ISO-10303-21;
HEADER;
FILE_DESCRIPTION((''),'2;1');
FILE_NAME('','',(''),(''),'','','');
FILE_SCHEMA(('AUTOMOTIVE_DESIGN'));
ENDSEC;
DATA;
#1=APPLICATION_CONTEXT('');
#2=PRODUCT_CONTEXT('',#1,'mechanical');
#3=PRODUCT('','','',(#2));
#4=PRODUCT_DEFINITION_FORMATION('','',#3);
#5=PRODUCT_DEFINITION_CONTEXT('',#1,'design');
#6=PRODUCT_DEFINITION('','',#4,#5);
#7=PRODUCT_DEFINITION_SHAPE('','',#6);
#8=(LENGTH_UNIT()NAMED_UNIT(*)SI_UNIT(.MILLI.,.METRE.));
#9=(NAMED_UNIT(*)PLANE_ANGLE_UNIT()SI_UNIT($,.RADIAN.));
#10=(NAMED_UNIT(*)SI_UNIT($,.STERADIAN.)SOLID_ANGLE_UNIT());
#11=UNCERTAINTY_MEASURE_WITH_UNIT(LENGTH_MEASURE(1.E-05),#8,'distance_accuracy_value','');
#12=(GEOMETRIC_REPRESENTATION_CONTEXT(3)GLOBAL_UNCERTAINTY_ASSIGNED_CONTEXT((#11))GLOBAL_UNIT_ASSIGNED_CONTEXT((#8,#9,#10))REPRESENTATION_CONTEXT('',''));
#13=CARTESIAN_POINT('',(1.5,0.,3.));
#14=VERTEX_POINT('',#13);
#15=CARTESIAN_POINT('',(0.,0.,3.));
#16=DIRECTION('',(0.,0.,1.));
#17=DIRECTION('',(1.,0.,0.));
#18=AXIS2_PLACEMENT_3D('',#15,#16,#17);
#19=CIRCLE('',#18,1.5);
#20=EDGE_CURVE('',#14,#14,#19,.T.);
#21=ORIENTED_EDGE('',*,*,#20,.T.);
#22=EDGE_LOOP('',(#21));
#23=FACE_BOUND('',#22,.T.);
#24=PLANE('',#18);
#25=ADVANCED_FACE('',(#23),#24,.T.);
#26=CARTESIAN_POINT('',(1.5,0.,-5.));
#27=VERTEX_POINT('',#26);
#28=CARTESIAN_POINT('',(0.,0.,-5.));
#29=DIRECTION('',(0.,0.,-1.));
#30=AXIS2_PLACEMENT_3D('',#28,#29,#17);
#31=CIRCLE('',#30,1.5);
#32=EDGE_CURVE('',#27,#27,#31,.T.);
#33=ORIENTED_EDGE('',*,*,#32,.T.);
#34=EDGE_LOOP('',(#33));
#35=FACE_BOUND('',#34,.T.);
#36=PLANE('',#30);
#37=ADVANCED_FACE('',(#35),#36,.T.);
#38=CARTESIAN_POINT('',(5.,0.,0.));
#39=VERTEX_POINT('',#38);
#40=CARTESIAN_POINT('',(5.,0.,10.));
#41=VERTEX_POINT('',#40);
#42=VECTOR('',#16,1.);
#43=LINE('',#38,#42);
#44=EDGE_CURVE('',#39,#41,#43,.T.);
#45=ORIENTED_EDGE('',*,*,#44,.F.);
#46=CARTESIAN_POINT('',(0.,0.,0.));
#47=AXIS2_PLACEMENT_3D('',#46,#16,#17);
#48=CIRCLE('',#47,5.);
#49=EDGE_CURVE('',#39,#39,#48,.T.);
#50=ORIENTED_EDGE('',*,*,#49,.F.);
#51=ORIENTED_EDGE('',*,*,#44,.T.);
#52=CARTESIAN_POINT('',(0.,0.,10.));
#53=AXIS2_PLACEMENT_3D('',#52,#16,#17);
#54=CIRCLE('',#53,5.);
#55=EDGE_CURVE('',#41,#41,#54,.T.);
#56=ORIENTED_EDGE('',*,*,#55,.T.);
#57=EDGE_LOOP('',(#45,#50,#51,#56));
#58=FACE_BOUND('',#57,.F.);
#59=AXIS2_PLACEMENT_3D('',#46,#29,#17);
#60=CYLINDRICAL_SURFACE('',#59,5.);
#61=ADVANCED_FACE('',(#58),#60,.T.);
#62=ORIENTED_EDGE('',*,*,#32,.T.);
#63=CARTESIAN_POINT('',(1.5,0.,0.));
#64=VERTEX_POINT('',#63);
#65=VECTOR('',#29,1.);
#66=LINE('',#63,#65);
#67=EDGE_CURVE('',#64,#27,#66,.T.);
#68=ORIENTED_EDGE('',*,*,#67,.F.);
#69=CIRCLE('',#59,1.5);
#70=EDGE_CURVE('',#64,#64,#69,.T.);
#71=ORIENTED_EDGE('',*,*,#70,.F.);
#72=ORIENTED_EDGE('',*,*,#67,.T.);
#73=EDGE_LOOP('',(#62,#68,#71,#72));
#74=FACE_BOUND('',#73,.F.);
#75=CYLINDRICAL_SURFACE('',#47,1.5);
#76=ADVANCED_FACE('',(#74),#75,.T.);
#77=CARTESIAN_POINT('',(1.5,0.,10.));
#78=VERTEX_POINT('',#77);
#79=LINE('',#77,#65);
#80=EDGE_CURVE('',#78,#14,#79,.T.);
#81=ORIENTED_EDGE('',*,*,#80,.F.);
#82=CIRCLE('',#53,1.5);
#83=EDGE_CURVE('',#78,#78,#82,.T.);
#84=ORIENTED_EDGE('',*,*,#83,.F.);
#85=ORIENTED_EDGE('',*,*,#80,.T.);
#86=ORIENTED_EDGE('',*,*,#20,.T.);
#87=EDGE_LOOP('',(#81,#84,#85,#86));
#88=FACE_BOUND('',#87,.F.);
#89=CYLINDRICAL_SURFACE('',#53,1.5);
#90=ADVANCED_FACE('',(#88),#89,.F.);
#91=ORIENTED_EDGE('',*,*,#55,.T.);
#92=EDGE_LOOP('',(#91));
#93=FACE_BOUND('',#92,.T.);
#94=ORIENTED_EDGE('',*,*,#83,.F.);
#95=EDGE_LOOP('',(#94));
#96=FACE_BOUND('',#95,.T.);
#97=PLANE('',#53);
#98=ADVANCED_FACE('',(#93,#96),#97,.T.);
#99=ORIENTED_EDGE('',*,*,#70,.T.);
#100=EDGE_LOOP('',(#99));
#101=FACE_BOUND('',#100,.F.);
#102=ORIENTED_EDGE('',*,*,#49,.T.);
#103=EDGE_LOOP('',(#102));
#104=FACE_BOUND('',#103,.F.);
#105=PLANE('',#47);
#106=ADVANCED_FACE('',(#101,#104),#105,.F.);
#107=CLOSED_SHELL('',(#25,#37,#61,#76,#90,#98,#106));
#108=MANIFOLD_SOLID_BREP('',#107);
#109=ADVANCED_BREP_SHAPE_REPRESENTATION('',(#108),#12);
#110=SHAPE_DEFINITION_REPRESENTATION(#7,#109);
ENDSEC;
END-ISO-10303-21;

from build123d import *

# Parameters (mm, degrees)
F0_R     = 5
F1_DEPTH = 10
F2_R     = 1.5
F3_DEPTH = 7
F4_R     = 1.5
F5_DEPTH = 5


with BuildPart() as f1:
    # F0 (on Top) → F1 (new body)
    with BuildSketch(Plane.XY):
        Circle(F0_R)
    extrude(amount=F1_DEPTH)

    # F2 (on face) → F3 (cut)
    with BuildSketch(Plane.XY.offset(10)):
        Circle(F2_R)
    extrude(amount=-F3_DEPTH, mode=Mode.SUBTRACT)

    # F4 (on face) → F5 (join)
    with BuildSketch(Plane(origin=(0, 0, 0), x_dir=(1, 0, 0), z_dir=(0, 0, -1))):
        Circle(F4_R)
    extrude(amount=F5_DEPTH)


solid = f1.part
